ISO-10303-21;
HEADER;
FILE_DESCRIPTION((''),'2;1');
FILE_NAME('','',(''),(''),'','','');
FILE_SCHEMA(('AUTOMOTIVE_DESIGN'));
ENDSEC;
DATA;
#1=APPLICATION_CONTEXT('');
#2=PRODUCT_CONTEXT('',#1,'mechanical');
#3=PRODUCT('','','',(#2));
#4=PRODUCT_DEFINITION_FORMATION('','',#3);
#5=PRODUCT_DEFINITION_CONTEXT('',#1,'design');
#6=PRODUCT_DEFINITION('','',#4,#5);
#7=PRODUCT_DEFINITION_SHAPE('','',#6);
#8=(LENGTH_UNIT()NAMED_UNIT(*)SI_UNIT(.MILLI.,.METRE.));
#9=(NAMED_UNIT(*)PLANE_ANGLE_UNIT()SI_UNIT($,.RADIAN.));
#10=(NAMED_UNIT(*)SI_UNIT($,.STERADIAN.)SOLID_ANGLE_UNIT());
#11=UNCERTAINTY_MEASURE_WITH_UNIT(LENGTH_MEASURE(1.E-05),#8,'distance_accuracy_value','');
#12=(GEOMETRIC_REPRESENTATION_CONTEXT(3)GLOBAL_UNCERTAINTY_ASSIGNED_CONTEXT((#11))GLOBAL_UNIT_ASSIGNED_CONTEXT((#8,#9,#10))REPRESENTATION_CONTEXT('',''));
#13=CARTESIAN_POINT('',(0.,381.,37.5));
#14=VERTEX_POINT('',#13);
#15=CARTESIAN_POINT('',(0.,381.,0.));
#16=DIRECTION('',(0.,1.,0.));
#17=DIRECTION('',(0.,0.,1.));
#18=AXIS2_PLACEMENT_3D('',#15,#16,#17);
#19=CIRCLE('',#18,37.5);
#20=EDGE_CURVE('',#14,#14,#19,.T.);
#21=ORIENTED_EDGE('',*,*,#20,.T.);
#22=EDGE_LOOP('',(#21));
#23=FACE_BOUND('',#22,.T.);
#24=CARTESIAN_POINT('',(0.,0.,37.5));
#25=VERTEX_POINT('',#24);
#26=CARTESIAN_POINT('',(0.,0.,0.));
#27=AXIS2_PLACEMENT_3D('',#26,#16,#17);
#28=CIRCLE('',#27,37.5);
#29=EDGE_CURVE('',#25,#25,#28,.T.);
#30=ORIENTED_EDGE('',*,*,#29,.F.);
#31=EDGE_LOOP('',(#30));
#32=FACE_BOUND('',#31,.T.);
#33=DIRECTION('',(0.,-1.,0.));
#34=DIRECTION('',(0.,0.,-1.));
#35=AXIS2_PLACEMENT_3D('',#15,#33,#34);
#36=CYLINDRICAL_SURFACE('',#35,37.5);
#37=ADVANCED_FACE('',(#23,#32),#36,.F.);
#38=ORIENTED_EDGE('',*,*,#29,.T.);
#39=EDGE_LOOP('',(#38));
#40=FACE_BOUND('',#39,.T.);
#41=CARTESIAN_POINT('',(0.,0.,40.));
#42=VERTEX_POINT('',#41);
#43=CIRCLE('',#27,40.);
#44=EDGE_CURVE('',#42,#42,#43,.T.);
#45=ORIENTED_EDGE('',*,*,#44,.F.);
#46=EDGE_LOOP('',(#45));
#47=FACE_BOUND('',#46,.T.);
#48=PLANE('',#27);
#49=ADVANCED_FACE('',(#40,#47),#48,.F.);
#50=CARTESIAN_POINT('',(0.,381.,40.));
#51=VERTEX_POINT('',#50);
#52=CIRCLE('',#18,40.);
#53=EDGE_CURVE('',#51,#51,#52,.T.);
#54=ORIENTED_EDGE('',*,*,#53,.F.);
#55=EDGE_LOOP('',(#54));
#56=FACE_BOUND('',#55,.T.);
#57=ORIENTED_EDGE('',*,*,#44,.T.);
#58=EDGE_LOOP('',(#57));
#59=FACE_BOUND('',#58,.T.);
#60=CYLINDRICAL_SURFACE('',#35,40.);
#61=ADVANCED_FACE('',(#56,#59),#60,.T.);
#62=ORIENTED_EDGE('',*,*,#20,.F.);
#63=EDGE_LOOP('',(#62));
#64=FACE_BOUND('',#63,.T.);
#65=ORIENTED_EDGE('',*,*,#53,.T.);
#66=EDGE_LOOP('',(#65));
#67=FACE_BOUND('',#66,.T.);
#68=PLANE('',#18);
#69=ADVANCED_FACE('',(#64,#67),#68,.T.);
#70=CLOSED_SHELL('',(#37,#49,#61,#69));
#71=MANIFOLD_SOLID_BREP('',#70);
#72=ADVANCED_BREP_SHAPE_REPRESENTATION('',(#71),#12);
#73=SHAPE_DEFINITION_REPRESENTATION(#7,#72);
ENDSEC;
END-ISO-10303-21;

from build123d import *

# Parameters (mm, degrees)
SKETCH1_R           = 40
SKETCH1_R_2         = 37.5
BOSS_EXTRUDE1_DEPTH = 381


with BuildPart() as part:
    # Sketch1 → Boss-Extrude1 (new body)
    with BuildSketch(Plane(origin=(0, 0, 0), x_dir=(1, 0, 0), z_dir=(0, 1, 0))):
        Circle(SKETCH1_R)
        Circle(SKETCH1_R_2, mode=Mode.SUBTRACT)
    extrude(amount=BOSS_EXTRUDE1_DEPTH)


solid = part.part
